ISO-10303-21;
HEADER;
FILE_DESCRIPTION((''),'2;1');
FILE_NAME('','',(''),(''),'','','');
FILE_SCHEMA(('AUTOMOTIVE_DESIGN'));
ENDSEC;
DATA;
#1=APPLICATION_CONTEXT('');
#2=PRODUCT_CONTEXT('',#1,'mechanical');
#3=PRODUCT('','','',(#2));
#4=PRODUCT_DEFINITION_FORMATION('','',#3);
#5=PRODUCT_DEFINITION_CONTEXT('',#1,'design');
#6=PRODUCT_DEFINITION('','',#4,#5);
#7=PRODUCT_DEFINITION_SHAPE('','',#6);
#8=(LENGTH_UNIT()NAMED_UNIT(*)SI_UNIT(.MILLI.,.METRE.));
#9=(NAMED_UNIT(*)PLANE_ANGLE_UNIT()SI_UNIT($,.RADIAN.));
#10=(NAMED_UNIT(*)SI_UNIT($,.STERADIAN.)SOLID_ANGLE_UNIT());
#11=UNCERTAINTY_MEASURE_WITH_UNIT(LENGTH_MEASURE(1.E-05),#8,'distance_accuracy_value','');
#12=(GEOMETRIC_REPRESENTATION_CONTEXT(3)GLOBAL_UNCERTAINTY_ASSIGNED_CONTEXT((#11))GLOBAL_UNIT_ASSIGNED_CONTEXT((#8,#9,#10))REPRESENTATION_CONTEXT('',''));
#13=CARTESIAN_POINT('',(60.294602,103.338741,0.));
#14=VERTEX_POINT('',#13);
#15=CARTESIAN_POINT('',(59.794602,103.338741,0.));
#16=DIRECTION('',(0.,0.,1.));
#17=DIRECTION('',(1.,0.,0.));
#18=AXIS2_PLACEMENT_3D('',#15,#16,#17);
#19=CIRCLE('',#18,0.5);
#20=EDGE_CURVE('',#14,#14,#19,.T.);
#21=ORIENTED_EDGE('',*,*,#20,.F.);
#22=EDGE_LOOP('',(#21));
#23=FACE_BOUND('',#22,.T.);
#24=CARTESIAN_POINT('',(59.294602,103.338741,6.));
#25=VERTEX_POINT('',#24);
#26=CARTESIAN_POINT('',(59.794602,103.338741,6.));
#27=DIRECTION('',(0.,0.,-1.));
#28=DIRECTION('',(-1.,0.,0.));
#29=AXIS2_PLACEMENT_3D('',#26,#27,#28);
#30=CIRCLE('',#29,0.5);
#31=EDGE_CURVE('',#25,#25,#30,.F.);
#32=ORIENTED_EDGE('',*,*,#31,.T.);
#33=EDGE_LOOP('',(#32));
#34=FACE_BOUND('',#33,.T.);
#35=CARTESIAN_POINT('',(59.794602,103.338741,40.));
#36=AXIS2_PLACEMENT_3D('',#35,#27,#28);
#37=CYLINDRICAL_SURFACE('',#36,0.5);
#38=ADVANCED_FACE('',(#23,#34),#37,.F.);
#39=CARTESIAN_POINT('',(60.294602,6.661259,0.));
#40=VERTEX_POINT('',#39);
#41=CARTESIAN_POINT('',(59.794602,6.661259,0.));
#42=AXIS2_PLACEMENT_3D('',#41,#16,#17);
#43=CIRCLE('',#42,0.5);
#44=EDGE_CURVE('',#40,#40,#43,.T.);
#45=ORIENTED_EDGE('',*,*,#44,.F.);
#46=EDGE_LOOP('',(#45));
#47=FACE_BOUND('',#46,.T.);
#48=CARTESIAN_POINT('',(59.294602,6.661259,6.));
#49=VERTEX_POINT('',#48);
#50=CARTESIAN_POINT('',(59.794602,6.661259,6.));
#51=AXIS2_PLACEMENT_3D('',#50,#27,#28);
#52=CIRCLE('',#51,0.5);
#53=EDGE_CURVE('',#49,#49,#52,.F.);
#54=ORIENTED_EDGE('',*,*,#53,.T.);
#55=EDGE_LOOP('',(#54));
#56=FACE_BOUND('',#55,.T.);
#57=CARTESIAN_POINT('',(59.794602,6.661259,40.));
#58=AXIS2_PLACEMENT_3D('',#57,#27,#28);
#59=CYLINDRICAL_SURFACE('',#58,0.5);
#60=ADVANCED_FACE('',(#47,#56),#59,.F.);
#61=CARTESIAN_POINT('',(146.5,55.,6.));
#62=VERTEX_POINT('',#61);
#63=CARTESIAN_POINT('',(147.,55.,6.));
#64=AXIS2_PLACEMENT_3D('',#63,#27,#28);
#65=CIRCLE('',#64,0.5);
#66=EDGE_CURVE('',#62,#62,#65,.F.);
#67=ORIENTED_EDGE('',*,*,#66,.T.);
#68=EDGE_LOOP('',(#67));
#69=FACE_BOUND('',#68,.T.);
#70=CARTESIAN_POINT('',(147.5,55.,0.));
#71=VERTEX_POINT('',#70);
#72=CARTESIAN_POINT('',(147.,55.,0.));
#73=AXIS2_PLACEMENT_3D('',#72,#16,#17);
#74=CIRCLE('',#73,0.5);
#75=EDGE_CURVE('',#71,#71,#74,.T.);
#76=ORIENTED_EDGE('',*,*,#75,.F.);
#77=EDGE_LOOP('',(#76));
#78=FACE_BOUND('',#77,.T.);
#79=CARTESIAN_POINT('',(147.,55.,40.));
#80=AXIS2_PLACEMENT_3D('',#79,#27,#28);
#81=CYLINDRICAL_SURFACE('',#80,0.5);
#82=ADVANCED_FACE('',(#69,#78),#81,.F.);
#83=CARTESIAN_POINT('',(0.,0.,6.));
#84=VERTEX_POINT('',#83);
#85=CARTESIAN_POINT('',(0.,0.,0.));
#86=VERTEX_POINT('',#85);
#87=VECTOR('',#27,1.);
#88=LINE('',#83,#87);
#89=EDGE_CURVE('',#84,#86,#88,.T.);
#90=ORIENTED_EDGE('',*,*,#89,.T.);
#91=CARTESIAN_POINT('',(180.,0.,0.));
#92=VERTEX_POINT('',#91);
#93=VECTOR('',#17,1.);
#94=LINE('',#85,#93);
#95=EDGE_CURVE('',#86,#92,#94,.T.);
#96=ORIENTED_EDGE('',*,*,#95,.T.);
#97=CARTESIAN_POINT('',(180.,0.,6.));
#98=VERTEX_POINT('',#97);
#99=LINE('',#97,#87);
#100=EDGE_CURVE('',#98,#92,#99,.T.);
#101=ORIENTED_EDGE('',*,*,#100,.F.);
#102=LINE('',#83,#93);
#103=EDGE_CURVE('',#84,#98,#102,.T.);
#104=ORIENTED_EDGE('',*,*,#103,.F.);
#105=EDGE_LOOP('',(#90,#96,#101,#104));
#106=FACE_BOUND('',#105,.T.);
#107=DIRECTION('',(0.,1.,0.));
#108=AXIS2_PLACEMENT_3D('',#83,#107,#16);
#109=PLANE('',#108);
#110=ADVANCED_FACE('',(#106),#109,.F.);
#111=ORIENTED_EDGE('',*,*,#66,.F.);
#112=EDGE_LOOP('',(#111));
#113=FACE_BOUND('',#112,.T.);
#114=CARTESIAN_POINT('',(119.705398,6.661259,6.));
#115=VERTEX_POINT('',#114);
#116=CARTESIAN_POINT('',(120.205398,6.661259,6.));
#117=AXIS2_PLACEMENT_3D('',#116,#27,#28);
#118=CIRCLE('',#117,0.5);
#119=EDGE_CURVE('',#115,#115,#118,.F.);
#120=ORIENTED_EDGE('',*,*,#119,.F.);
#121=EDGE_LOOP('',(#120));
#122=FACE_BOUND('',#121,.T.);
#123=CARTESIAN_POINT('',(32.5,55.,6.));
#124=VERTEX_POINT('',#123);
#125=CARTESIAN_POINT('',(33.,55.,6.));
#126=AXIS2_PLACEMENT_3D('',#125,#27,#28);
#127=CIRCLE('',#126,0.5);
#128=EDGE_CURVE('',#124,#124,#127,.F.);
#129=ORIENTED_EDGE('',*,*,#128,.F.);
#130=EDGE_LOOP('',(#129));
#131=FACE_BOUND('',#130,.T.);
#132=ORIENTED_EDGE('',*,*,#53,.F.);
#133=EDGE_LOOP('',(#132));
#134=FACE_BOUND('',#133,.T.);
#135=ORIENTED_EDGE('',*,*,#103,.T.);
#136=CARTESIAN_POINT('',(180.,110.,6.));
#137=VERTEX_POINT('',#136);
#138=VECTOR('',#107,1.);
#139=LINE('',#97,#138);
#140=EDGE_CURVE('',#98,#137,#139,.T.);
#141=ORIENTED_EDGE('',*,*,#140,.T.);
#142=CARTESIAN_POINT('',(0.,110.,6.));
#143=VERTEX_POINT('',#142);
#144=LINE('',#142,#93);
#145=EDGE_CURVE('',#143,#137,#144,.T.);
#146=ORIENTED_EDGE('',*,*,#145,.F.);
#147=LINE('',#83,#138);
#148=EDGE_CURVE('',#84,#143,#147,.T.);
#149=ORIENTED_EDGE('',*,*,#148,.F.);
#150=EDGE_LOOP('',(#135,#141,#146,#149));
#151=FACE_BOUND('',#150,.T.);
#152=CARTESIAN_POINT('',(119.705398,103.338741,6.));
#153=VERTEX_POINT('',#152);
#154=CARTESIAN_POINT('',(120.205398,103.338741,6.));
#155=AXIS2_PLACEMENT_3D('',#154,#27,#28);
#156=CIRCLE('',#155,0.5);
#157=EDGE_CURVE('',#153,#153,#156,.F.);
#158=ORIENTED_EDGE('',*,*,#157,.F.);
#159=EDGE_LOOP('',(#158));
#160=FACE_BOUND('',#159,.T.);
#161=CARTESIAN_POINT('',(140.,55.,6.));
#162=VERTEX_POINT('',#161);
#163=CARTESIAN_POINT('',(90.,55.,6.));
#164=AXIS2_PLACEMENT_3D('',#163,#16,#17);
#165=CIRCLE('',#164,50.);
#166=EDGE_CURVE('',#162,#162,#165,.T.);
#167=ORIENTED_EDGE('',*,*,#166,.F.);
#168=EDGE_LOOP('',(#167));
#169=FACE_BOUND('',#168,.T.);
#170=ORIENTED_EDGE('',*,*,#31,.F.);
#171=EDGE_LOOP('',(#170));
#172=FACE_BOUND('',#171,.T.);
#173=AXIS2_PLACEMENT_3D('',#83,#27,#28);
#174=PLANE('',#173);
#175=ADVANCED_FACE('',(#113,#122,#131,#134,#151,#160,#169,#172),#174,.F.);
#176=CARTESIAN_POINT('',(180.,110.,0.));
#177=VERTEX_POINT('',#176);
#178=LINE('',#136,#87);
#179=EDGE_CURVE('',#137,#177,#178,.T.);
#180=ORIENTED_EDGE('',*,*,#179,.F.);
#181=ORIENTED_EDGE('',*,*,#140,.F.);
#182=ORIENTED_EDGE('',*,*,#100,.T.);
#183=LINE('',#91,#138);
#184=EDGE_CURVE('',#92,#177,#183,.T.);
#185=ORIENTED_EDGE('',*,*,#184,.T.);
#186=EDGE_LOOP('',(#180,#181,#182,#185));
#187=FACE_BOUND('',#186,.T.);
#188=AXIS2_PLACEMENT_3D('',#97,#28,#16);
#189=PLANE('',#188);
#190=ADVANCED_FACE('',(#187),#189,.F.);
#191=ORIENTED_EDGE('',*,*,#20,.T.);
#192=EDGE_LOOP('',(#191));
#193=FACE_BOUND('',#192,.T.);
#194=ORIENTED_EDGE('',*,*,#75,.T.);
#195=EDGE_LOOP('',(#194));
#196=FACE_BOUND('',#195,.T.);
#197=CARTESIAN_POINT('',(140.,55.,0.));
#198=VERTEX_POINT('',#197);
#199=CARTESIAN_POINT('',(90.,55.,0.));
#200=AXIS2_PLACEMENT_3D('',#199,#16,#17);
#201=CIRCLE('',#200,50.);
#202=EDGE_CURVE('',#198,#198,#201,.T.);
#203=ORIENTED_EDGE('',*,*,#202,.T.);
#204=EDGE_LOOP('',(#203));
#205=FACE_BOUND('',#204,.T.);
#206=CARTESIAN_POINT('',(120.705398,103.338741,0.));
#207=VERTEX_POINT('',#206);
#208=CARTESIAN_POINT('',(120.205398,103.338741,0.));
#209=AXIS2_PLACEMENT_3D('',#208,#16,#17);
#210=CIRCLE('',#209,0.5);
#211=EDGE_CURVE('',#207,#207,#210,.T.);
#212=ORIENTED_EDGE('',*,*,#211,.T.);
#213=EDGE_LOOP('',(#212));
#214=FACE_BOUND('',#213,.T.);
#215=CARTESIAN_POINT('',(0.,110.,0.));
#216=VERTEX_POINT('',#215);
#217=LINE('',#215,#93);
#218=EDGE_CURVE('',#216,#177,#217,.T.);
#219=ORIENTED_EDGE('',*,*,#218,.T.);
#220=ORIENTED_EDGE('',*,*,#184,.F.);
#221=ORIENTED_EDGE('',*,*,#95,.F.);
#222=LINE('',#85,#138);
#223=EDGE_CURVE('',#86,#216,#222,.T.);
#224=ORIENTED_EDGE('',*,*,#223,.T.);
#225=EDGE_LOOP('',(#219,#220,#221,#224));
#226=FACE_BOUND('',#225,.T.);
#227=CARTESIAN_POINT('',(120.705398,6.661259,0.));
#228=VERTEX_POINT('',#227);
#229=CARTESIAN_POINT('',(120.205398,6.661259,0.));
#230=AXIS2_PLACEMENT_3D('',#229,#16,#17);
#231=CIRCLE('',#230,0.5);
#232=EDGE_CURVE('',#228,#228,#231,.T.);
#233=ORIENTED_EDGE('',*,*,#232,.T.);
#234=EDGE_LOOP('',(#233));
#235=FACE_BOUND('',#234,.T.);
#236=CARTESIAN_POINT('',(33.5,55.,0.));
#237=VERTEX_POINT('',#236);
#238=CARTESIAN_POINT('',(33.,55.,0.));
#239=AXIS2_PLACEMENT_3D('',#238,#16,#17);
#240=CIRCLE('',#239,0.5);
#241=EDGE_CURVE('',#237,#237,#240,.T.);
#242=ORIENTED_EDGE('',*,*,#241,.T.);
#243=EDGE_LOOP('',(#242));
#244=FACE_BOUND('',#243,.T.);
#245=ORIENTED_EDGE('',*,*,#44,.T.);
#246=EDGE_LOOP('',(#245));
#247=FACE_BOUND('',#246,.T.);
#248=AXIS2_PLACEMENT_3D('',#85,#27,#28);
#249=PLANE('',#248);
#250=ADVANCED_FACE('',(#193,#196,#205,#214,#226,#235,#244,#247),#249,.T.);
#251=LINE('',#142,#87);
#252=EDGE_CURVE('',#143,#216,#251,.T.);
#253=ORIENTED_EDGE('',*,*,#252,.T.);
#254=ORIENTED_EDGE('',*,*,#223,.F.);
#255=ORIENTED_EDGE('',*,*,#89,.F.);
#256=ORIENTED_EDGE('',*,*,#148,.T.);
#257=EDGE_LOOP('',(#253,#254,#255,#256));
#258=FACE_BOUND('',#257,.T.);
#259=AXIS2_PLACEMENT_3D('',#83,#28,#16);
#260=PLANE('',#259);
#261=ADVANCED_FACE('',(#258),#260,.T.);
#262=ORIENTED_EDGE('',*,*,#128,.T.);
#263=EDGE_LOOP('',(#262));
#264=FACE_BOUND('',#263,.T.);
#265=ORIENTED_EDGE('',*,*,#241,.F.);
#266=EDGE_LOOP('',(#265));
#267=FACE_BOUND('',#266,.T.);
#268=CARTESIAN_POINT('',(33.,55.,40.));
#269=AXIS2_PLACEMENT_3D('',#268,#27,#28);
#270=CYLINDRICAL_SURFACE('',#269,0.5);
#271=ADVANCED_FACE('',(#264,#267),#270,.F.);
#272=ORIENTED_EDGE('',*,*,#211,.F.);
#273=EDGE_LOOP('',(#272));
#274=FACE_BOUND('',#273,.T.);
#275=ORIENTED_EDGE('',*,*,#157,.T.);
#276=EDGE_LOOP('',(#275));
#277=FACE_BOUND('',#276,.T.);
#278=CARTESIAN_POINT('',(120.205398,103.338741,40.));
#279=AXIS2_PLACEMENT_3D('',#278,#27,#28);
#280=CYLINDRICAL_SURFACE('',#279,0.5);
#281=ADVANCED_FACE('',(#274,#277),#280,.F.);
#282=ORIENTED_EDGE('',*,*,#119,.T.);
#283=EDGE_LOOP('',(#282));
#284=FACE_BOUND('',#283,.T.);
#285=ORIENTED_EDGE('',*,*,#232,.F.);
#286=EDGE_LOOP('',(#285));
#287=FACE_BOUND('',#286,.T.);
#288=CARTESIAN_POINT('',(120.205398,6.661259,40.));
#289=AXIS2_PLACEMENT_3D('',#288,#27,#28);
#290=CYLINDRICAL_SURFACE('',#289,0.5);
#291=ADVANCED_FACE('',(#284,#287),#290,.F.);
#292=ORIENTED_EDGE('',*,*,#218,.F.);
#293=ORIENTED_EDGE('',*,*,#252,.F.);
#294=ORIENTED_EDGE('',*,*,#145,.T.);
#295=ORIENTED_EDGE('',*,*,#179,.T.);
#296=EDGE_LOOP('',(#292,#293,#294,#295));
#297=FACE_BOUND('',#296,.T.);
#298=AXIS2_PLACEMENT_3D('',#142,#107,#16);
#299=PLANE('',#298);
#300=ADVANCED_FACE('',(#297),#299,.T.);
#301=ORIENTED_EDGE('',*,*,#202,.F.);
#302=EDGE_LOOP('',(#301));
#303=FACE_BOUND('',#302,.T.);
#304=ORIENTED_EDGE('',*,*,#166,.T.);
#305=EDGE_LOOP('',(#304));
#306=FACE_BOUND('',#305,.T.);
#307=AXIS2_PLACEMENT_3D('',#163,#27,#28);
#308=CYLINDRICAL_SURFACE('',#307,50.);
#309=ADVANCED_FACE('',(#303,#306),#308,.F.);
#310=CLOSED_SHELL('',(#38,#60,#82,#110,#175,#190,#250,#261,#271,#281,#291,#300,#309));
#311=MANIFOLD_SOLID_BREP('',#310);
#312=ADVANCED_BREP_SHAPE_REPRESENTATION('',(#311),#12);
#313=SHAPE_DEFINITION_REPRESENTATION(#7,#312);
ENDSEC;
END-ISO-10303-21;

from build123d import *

# Parameters (mm, degrees)
SKETCH1_W           = 180
SKETCH1_H           = 110
BOSS_EXTRUDE1_DEPTH = 6
SKETCH2_R           = 50
CUT_EXTRUDE1_DEPTH  = 6
SKETCH4_R           = 0.5
CUT_EXTRUDE2_DEPTH  = 40


with BuildPart() as part:
    # Sketch1 → Boss-Extrude1 (new body)
    with BuildSketch(Plane.XY):
        with Locations((90, 55)):
            Rectangle(SKETCH1_W, SKETCH1_H)
    extrude(amount=BOSS_EXTRUDE1_DEPTH)

    # Sketch2 → Cut-Extrude1 (cut)
    with BuildSketch(Plane.XY):
        with Locations((90, 55)):
            Circle(SKETCH2_R)
    extrude(amount=CUT_EXTRUDE1_DEPTH, mode=Mode.SUBTRACT)

    # Sketch4 → Cut-Extrude2 (cut)
    with BuildSketch(Plane.XY):
        with Locations((59.794601939, 103.338741481)):
            Circle(SKETCH4_R)
        with Locations((120.205398061, 103.338741481)):
            Circle(SKETCH4_R)
        with Locations((147, 55)):
            Circle(SKETCH4_R)
        with Locations((120.205398061, 6.661258519)):
            Circle(SKETCH4_R)
        with Locations((59.794601939, 6.661258519)):
            Circle(SKETCH4_R)
        with Locations((33, 55)):
            Circle(SKETCH4_R)
    extrude(amount=CUT_EXTRUDE2_DEPTH, mode=Mode.SUBTRACT)


solid = part.part
